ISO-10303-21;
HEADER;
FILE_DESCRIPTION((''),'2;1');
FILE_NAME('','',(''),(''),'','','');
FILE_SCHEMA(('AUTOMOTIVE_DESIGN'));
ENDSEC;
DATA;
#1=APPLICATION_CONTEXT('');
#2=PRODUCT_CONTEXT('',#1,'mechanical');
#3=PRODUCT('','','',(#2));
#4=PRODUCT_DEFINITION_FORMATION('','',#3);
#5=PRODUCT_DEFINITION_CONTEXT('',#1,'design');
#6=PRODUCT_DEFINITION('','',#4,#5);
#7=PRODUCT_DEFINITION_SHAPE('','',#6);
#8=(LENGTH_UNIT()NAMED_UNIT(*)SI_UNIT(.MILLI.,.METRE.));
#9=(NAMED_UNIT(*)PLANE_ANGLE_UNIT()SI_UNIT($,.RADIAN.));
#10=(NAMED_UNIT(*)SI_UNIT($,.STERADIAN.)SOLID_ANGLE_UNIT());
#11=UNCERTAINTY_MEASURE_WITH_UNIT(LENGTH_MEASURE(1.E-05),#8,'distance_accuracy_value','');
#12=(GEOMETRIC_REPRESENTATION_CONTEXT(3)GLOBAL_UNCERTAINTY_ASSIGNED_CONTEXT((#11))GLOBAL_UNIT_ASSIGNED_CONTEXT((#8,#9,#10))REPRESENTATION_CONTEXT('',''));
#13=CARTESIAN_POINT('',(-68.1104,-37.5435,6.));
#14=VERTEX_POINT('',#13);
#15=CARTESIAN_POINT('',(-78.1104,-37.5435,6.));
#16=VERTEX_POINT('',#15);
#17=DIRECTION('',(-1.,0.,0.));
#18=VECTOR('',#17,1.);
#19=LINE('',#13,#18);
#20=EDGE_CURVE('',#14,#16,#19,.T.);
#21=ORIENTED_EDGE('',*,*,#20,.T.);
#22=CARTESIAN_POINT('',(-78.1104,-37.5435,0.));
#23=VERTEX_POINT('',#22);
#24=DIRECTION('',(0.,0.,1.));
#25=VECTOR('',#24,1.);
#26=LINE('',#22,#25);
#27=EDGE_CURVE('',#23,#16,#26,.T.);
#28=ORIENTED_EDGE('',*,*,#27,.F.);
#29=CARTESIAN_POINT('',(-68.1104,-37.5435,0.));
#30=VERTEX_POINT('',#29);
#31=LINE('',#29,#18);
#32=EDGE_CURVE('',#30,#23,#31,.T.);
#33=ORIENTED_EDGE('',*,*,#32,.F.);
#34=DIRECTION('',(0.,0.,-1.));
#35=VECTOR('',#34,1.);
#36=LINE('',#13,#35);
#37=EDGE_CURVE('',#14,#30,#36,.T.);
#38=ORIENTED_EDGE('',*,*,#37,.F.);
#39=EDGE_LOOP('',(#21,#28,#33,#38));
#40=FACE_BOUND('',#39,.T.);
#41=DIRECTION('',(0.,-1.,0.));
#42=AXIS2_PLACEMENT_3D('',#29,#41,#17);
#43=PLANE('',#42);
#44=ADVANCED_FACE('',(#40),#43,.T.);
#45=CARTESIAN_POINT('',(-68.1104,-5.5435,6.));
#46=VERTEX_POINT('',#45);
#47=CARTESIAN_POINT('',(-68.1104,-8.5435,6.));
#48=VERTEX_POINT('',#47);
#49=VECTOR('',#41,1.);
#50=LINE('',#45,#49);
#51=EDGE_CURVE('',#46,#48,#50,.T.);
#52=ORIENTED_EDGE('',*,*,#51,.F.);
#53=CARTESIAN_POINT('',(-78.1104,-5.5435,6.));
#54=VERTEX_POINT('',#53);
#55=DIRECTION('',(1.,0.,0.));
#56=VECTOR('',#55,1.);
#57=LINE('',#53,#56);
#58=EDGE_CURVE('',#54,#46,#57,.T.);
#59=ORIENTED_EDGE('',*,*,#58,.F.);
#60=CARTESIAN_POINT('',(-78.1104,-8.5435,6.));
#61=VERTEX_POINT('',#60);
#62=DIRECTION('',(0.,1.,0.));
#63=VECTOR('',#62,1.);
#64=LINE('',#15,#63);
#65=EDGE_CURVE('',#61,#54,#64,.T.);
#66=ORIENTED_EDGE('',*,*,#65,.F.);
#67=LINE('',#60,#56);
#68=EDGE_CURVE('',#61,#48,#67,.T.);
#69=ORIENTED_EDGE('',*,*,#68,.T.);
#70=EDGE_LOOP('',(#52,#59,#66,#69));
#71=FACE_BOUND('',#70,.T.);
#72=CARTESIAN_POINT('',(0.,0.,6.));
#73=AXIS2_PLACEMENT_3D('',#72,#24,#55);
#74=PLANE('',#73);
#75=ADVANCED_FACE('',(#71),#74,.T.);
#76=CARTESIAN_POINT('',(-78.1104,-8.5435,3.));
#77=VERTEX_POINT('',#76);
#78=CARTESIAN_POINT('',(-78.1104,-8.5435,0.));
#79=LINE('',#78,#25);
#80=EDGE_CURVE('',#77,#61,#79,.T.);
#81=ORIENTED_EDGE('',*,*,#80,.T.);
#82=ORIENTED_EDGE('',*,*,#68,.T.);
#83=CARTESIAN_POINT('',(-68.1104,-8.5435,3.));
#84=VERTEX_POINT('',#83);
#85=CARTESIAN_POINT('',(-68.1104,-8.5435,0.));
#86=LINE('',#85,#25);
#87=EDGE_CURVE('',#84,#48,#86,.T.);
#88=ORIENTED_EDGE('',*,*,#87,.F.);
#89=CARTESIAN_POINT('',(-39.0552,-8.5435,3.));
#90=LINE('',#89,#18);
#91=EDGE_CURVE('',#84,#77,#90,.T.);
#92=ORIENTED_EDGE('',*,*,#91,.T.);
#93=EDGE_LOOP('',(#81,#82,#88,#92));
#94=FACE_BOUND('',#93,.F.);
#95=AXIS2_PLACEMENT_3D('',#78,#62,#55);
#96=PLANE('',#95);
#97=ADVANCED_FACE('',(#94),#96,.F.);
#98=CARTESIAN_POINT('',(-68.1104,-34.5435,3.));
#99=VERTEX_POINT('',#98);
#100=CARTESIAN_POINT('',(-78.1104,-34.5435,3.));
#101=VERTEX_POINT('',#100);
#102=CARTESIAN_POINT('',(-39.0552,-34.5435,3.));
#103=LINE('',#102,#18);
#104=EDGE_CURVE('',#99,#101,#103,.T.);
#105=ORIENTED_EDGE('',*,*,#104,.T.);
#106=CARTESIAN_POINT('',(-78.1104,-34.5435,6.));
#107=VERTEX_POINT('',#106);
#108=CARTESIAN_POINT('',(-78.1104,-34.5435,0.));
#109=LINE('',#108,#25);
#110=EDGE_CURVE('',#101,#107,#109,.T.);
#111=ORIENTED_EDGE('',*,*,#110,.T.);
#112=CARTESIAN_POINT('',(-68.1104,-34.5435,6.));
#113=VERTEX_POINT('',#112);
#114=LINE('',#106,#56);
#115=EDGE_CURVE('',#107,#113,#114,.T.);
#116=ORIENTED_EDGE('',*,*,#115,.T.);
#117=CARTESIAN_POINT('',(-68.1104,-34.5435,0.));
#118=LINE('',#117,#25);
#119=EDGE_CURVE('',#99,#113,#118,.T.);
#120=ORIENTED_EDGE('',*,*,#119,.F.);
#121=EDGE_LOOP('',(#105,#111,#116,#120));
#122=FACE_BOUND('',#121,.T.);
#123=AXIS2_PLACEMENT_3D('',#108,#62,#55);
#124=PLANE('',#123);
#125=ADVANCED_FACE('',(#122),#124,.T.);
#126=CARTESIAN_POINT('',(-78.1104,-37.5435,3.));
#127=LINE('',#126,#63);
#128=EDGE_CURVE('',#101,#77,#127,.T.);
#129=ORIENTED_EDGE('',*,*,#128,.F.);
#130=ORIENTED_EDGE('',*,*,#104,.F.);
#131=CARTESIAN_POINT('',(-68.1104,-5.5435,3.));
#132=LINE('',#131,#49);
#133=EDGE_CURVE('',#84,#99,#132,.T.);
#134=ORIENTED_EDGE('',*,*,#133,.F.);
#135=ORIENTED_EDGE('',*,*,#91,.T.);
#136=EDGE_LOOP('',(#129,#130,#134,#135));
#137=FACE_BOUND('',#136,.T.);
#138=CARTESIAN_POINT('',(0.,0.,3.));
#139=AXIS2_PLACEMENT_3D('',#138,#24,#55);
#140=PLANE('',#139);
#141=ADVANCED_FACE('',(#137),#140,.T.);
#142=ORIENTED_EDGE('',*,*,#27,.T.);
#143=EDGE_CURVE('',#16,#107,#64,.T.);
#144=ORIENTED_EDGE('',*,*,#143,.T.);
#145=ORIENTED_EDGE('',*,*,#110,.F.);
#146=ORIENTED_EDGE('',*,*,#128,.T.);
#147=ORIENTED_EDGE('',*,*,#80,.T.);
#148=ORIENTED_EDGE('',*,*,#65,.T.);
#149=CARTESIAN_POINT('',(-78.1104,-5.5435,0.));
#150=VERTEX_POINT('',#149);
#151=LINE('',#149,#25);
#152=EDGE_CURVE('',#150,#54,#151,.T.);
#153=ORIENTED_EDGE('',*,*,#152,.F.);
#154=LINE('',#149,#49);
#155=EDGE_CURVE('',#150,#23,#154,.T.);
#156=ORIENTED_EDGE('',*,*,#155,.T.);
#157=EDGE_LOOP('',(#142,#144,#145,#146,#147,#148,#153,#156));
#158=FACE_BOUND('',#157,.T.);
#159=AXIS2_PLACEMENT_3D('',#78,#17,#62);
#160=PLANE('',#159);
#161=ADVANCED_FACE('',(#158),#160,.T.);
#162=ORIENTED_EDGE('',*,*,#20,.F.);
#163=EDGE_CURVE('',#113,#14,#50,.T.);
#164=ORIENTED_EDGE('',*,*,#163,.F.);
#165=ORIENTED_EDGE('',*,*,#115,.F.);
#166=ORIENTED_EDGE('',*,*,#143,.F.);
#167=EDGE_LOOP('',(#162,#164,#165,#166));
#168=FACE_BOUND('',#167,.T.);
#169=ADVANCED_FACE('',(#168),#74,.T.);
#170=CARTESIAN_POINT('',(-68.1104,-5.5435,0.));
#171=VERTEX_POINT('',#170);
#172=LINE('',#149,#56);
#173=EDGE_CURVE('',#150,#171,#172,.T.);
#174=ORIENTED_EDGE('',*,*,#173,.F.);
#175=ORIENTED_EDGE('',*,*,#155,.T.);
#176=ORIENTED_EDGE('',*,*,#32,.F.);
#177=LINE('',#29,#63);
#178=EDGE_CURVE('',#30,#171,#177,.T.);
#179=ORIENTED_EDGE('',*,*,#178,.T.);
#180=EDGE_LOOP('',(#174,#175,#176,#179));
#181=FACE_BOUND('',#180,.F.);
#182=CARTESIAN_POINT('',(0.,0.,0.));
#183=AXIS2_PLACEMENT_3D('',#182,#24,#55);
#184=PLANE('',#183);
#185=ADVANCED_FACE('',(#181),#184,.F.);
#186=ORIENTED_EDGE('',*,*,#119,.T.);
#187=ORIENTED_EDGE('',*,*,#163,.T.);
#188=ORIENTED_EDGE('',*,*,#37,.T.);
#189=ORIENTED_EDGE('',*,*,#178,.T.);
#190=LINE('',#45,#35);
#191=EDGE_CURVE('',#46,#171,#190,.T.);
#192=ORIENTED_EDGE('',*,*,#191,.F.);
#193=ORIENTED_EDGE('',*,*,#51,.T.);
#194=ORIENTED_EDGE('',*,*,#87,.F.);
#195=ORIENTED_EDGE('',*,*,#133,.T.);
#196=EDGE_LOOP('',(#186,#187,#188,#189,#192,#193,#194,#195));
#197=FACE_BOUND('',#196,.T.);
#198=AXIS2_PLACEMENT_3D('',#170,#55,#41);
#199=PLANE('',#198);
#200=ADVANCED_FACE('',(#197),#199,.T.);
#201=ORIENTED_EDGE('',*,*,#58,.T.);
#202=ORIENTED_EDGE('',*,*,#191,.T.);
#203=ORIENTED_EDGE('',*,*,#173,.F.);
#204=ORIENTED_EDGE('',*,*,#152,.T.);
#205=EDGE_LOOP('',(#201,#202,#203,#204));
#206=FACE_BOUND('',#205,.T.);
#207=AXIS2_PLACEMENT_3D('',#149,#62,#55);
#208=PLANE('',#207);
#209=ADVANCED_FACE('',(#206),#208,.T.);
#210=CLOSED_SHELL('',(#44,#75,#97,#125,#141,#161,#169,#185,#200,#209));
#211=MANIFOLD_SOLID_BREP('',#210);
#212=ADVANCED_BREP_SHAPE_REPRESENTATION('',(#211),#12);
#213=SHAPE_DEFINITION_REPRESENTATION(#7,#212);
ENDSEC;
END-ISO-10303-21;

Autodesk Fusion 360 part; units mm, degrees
sketch "Esquisse1" plane through (0, 0, 0) normal (0, 0, 1) x (1, 0, 0)
  line L0 (-78.1104, -5.5435) -> (-68.1104, -5.5435)
  line L1 (-68.1104, -5.5435) -> (-68.1104, -37.5435)
  line L2 (-68.1104, -37.5435) -> (-78.1104, -37.5435)
  line L3 (-78.1104, -37.5435) -> (-78.1104, -5.5435)
  line L4 (-78.1104, -8.5435) -> (-68.1104, -8.5435)
  line L5 (-78.1104, -34.5435) -> (-68.1104, -34.5435)
  dimension "d1" = 3
  dimension "d2" = 10
  dimension "d3" = 3
  dimension "d4" = 26
extrude "Extrusion1" add sketch "Esquisse1" along normal blind 3
extrude "Extrusion2" add sketch "Esquisse1" along normal blind 6 contours L0 L1 L3 L4 | L1 L2 L3 L5
